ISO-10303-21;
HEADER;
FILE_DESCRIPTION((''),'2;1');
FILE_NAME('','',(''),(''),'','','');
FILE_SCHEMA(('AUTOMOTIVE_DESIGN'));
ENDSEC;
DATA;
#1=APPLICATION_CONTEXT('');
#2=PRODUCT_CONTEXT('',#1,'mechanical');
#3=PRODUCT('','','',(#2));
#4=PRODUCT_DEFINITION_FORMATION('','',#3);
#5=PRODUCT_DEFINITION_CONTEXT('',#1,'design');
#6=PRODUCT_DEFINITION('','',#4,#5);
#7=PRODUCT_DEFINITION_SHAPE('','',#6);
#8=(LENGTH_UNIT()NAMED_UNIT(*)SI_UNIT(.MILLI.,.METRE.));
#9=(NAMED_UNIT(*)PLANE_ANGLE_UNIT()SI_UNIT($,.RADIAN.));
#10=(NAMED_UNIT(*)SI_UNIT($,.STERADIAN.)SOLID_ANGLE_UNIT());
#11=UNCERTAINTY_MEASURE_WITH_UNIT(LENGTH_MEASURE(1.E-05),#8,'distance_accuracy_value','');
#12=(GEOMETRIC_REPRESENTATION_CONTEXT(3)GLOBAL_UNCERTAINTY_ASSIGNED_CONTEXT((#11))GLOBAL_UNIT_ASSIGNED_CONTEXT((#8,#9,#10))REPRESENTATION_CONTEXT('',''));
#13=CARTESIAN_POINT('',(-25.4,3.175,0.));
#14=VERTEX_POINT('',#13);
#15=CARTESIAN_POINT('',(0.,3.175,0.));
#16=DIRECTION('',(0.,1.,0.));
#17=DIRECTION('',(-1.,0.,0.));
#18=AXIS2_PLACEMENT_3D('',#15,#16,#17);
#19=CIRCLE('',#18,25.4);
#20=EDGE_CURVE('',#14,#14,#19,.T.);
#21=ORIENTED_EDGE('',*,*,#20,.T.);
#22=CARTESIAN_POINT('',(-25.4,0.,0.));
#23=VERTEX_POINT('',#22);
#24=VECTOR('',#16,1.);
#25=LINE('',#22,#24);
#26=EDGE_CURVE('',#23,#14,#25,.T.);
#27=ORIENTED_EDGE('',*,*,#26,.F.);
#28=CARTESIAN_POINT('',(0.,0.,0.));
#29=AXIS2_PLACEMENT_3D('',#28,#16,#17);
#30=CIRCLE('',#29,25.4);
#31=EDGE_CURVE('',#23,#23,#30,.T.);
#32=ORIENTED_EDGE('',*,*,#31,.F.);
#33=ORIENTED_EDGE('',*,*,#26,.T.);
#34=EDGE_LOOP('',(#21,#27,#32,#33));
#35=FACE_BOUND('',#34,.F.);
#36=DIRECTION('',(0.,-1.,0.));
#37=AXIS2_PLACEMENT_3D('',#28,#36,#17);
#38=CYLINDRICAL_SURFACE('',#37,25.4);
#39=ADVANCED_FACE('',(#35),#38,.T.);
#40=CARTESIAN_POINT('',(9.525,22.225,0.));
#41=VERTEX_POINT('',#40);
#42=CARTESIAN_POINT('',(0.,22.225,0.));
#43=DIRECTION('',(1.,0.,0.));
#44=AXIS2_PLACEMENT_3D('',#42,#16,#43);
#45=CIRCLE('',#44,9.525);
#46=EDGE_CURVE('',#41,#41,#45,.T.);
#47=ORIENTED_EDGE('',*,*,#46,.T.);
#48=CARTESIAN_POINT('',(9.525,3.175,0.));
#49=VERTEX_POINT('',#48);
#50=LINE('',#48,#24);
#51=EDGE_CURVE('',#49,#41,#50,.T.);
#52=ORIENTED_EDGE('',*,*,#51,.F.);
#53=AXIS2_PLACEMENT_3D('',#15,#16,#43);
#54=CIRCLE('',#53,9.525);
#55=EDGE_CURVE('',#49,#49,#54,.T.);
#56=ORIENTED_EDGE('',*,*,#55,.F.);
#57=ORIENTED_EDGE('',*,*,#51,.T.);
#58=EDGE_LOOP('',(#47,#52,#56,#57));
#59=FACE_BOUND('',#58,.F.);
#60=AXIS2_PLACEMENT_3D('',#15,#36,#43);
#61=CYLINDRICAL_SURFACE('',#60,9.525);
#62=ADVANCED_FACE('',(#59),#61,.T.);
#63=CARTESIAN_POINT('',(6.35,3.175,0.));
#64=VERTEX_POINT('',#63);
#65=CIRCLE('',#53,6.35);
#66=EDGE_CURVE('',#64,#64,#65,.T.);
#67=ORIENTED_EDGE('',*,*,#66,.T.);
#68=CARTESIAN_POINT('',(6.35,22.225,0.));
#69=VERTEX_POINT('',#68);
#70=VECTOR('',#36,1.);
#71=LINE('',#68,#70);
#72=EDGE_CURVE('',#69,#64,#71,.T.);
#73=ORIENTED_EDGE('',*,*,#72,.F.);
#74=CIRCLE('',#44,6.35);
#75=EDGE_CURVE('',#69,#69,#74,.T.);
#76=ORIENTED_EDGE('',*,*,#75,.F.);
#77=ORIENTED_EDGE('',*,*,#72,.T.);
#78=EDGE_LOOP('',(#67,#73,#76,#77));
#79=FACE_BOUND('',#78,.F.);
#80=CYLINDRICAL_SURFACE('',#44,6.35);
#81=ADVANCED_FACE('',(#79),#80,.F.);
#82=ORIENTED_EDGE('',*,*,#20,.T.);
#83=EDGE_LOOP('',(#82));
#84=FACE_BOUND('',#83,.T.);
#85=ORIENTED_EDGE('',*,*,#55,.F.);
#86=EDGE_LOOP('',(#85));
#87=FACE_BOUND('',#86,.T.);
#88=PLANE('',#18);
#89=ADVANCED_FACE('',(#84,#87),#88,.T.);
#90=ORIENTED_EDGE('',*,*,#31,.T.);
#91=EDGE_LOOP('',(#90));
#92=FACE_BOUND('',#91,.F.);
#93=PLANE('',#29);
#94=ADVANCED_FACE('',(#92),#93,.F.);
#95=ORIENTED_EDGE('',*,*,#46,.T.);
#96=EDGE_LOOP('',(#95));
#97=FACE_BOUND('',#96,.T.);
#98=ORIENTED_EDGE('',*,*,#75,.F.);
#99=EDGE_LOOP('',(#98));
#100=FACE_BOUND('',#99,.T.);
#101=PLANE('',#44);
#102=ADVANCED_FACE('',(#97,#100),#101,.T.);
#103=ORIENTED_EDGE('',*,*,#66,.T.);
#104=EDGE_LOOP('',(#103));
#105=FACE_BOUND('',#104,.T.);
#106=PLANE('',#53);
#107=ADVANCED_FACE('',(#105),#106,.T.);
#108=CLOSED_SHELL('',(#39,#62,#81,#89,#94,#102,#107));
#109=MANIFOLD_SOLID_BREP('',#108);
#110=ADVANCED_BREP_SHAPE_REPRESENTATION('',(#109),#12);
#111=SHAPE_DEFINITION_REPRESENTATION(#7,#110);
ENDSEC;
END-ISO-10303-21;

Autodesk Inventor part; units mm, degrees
ref_plane "YZ Plane" through (0, 0, 0) normal (1, 0, 0) x (0, 1, 0)
ref_plane "XZ Plane" through (0, 0, 0) normal (0, 1, 0) x (-1, 0, 0)
ref_plane "XY Plane" through (0, 0, 0) normal (0, 0, 1) x (1, 0, 0)
sketch "Sketch1" plane through (0, 0, 0) normal (0, 1, 0) x (-1, 0, 0)
  circle A0 centre (0, 0) radius 25.4
  dimension "d0" = 50.8
extrude "Extrusion1" add sketch "Sketch1" along normal blind 3.175
sketch "Sketch3" plane through (0, 3.175, 0) normal (0, 1, 0) x (1, 0, 0)
  circle A0 centre (0, 0) radius 9.525
  dimension "d5" = 19.05
extrude "Extrusion3" add sketch "Sketch3" along normal blind 19.05
sketch "Sketch4" plane through (0, 22.225, 0) normal (0, 1, 0) x (1, 0, 0)
  circle A0 centre (0, 0) radius 6.35
  dimension "d8" = 12.7
extrude "Extrusion4" cut sketch "Sketch4" against normal blind 19.05
properties part number "articulation hub"
